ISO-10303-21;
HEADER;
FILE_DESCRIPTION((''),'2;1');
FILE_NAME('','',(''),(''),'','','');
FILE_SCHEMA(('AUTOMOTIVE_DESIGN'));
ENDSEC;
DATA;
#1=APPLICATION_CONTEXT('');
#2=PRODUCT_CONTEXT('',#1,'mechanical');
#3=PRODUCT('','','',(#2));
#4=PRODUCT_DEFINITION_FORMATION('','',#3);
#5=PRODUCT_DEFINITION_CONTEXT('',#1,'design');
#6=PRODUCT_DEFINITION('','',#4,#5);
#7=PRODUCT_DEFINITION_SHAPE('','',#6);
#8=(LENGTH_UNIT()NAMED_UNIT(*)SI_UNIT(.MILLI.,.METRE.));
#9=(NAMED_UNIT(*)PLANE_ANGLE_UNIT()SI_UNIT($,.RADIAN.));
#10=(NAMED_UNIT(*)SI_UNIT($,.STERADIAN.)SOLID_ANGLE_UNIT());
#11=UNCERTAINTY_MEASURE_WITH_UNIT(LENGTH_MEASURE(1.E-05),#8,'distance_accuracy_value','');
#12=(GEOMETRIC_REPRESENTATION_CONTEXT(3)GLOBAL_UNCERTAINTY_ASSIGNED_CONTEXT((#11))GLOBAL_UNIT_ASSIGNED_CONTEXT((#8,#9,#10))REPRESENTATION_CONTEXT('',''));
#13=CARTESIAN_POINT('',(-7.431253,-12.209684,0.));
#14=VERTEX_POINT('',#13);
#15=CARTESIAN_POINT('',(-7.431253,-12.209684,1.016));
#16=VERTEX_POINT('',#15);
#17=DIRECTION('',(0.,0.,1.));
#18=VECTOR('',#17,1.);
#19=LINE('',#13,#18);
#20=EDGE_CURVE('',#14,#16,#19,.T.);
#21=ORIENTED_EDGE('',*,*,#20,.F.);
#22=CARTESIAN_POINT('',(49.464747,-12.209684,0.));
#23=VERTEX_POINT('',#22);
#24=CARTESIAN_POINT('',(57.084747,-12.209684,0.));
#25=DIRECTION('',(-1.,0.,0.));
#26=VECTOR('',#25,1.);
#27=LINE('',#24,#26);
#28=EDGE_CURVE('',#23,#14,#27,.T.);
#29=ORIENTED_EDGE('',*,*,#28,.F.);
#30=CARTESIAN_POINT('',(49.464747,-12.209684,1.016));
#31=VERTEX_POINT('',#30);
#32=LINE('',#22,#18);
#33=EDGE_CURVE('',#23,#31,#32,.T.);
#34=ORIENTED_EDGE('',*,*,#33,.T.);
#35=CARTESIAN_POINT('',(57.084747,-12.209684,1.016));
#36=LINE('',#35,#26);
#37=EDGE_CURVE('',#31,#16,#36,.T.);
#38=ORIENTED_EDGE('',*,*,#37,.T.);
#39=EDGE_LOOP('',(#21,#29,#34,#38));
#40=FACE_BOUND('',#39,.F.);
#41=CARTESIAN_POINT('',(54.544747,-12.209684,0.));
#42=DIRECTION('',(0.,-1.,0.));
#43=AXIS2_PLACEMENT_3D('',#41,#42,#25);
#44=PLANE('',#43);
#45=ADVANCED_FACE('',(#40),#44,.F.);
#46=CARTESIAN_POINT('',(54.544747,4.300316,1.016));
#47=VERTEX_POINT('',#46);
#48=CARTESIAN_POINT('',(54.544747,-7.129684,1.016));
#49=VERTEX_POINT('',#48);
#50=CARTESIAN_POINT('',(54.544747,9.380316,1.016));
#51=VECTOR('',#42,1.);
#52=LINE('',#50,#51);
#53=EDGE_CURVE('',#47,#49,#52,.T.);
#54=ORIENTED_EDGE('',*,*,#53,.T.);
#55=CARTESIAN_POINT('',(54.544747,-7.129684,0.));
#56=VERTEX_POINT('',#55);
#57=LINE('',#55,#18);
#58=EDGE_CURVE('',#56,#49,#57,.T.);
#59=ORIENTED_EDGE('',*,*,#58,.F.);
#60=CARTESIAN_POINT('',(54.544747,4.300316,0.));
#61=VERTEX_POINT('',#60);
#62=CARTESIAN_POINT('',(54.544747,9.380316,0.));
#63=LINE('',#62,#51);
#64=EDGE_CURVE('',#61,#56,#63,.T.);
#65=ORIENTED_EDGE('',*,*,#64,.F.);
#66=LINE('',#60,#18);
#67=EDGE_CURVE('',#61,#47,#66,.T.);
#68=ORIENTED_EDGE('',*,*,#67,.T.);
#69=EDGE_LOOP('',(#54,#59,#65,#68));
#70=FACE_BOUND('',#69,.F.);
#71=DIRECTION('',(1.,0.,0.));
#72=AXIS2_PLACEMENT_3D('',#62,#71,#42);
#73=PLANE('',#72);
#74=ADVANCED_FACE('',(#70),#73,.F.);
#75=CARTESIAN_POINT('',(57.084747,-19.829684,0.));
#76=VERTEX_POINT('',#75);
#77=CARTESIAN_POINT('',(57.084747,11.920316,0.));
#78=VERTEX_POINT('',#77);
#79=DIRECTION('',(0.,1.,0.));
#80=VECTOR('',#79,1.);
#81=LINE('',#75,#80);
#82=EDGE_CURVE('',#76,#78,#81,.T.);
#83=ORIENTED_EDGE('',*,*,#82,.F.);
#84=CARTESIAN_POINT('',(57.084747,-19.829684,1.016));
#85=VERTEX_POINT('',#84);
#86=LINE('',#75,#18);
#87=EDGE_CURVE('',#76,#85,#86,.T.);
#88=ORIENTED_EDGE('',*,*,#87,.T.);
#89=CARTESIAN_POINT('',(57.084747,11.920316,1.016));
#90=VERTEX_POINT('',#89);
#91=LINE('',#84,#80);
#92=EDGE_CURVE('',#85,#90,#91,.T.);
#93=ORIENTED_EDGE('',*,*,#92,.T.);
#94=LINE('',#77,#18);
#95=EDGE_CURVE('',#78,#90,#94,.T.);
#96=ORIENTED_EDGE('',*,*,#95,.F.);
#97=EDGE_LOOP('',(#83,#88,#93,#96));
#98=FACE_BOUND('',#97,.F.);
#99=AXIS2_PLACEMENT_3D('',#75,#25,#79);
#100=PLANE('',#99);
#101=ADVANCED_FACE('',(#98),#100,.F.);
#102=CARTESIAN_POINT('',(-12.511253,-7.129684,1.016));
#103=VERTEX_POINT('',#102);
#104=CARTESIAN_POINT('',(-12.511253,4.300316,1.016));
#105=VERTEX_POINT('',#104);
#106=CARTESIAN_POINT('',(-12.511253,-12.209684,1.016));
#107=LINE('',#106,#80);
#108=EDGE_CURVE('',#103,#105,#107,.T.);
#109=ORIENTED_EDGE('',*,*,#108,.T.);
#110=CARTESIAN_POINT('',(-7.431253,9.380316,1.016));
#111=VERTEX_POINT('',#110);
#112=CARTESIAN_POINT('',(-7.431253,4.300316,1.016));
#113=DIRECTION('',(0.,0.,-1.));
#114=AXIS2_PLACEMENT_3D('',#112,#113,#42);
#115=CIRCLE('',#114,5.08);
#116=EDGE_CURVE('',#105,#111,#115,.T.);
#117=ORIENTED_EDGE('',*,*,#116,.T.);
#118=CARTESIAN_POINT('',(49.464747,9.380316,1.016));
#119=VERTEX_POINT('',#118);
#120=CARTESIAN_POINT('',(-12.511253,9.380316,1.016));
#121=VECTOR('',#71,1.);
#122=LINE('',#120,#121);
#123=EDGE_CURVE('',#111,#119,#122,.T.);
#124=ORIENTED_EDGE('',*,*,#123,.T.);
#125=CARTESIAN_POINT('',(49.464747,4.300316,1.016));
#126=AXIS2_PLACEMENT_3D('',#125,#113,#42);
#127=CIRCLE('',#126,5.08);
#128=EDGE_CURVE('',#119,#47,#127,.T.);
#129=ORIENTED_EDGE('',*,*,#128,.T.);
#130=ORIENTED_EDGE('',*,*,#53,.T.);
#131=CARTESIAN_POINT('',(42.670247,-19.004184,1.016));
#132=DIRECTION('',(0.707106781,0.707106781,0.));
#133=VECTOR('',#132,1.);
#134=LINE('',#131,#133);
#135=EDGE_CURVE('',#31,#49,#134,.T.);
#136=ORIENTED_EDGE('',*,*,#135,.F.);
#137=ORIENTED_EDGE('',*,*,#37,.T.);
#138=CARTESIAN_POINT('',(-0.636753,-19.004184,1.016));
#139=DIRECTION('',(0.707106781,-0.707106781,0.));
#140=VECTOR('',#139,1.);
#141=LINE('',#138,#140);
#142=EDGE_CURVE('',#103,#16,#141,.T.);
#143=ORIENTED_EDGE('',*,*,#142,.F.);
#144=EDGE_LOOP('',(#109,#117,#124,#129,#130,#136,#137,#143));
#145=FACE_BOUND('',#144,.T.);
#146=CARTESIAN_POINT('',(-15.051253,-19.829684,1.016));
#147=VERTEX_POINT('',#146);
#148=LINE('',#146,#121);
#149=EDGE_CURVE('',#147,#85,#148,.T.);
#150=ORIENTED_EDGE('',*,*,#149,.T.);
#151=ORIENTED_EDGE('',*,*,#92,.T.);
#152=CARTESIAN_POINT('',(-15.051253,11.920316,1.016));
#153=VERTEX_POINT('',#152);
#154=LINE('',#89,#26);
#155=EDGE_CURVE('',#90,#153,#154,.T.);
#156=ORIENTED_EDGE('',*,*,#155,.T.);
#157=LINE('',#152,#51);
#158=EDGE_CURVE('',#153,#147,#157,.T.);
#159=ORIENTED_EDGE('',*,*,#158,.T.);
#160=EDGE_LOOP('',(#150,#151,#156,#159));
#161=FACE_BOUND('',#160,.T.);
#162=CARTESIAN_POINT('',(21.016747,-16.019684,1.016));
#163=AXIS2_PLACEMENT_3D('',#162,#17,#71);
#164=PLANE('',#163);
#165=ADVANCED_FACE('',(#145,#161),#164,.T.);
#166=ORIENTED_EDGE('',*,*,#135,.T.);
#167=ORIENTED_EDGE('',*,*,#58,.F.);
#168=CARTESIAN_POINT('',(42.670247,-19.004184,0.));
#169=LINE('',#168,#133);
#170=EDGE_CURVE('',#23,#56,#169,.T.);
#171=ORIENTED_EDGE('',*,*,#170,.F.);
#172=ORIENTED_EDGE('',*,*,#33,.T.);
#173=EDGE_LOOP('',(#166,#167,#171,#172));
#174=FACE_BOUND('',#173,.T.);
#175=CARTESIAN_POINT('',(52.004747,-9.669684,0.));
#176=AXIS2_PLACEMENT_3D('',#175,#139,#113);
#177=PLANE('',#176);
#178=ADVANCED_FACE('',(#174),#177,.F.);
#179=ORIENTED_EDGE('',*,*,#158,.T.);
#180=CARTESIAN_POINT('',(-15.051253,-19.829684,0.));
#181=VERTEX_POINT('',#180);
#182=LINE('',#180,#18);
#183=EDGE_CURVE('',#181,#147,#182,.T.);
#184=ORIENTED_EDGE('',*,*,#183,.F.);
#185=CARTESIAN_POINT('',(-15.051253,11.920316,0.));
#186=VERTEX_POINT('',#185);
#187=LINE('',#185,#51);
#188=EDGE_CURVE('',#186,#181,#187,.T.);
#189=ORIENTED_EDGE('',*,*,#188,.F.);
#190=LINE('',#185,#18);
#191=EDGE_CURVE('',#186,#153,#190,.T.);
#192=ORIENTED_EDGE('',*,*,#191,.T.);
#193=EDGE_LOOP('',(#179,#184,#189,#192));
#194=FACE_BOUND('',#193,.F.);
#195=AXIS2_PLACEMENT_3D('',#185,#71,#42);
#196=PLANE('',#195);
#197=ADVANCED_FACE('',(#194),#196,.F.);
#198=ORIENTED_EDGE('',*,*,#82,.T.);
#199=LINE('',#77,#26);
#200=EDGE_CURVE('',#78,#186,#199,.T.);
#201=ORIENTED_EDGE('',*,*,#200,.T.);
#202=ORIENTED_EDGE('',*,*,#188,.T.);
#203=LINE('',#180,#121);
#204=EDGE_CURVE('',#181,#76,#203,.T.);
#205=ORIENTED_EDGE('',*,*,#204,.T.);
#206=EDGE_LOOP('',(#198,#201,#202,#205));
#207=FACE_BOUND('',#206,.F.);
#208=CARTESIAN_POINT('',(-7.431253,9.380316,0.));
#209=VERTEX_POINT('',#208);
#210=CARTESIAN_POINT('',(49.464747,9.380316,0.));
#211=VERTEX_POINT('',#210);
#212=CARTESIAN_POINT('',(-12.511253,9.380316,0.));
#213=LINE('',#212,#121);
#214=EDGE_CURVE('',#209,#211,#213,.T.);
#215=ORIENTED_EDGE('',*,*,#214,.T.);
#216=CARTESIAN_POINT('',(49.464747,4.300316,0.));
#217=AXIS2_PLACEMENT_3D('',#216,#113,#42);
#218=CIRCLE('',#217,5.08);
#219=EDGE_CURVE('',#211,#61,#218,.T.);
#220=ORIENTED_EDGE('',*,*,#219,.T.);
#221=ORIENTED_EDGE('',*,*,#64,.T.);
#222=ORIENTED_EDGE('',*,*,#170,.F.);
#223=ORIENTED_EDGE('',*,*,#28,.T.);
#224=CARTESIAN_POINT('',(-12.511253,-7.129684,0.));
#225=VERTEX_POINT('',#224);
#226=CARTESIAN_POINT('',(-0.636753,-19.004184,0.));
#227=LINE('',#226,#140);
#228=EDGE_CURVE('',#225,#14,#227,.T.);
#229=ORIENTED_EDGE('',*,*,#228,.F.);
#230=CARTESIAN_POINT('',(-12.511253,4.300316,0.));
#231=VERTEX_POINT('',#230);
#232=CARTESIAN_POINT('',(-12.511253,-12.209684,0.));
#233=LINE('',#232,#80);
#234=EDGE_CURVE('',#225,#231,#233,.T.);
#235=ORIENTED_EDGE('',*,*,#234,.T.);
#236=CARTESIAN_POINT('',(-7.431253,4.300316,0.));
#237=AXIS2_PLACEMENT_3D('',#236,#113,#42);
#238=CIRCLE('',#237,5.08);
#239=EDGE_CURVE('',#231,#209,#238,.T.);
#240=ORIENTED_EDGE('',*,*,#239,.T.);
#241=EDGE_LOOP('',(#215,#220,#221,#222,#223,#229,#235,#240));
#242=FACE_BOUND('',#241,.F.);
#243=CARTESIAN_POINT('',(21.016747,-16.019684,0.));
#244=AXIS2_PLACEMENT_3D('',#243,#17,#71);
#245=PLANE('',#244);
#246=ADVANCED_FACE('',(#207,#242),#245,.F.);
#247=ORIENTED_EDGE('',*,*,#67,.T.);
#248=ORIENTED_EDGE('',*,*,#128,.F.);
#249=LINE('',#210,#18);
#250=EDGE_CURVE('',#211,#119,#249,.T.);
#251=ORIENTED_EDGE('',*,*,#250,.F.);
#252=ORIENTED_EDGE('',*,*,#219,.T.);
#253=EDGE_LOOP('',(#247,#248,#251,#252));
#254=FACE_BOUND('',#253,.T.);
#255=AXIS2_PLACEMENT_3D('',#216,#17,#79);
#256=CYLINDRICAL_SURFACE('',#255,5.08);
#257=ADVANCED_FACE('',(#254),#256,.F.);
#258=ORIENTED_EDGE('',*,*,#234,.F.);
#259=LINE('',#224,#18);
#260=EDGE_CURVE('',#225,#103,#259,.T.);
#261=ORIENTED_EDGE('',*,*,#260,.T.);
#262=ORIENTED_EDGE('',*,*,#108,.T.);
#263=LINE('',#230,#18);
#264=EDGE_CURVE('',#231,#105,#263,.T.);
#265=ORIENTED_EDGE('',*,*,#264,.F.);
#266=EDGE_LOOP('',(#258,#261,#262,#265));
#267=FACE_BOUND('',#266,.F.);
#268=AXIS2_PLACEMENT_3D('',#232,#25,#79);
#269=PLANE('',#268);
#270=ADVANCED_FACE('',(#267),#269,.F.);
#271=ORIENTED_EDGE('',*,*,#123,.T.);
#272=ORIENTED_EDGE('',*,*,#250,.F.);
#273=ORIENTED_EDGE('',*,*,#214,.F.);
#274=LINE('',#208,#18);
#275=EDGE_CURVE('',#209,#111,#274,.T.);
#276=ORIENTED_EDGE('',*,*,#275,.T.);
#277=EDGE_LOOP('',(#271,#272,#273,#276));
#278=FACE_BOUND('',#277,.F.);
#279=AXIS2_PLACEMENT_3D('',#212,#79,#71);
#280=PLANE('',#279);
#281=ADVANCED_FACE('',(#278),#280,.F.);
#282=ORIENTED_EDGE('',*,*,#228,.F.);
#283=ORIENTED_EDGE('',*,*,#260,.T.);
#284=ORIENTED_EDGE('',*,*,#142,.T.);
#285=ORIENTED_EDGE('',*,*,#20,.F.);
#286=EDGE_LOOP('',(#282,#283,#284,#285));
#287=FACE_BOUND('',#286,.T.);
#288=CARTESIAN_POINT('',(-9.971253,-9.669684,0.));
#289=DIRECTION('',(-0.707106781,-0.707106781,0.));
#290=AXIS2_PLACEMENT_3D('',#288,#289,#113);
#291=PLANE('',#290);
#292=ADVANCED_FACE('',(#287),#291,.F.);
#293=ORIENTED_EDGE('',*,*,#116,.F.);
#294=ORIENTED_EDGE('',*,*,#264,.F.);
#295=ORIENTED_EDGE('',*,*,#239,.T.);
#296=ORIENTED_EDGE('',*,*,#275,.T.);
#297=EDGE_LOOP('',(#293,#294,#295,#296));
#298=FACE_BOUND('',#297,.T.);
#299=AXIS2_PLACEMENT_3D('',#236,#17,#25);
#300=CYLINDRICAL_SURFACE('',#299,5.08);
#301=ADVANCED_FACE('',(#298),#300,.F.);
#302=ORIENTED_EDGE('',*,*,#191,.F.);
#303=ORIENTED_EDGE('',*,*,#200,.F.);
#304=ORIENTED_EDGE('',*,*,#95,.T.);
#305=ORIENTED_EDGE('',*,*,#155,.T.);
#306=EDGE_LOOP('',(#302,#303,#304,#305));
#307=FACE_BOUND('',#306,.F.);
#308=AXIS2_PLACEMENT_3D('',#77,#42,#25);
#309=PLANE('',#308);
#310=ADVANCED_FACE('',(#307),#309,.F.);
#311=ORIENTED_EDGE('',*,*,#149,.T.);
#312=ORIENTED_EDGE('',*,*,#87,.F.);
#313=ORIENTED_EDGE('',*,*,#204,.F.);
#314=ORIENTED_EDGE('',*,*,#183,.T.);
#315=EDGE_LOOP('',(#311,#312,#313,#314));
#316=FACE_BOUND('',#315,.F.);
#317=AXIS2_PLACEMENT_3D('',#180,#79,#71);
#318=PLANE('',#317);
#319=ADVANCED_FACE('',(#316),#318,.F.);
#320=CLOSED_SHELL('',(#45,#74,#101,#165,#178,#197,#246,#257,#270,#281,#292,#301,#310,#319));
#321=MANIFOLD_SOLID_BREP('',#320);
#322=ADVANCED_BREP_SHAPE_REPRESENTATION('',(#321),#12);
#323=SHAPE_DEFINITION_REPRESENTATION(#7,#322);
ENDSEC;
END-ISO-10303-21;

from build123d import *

# Parameters (mm, degrees)
F1_DEPTH = 1.016
F2_R     = 5.08
F3_SIZE  = 5.08


with BuildPart() as f1:
    # F0 (on Top) → F1 (new body)
    with BuildSketch(Plane.XY):
        Polygon((57.084747, -19.829684), (57.084747, -12.209684), (54.544747, -12.209684), (-12.511253, -12.209684), (-15.051253, -12.209684), (-15.051253, -19.829684), align=None)
        Polygon((57.084747, -12.209684), (57.084747, 11.920316), (-15.051253, 11.920316), (-15.051253, -12.209684), (-12.511253, -12.209684), (-12.511253, 9.380316), (54.544747, 9.380316), (54.544747, -12.209684), align=None)
    extrude(amount=F1_DEPTH)

    # F2
    f2_edges = [f1.edges().sort_by_distance(p)[0] for p in [
        (-12.511253, 9.380316, 0.508),
        (54.544747, 9.380316, 0.508),
    ]]
    fillet(f2_edges, radius=F2_R)

    # F3
    f3_edges = [f1.edges().sort_by_distance(p)[0] for p in [
        (-12.511253, -12.209684, 0.508),
        (54.544747, -12.209684, 0.508),
    ]]
    chamfer(f3_edges, length=F3_SIZE)


solid = f1.part
